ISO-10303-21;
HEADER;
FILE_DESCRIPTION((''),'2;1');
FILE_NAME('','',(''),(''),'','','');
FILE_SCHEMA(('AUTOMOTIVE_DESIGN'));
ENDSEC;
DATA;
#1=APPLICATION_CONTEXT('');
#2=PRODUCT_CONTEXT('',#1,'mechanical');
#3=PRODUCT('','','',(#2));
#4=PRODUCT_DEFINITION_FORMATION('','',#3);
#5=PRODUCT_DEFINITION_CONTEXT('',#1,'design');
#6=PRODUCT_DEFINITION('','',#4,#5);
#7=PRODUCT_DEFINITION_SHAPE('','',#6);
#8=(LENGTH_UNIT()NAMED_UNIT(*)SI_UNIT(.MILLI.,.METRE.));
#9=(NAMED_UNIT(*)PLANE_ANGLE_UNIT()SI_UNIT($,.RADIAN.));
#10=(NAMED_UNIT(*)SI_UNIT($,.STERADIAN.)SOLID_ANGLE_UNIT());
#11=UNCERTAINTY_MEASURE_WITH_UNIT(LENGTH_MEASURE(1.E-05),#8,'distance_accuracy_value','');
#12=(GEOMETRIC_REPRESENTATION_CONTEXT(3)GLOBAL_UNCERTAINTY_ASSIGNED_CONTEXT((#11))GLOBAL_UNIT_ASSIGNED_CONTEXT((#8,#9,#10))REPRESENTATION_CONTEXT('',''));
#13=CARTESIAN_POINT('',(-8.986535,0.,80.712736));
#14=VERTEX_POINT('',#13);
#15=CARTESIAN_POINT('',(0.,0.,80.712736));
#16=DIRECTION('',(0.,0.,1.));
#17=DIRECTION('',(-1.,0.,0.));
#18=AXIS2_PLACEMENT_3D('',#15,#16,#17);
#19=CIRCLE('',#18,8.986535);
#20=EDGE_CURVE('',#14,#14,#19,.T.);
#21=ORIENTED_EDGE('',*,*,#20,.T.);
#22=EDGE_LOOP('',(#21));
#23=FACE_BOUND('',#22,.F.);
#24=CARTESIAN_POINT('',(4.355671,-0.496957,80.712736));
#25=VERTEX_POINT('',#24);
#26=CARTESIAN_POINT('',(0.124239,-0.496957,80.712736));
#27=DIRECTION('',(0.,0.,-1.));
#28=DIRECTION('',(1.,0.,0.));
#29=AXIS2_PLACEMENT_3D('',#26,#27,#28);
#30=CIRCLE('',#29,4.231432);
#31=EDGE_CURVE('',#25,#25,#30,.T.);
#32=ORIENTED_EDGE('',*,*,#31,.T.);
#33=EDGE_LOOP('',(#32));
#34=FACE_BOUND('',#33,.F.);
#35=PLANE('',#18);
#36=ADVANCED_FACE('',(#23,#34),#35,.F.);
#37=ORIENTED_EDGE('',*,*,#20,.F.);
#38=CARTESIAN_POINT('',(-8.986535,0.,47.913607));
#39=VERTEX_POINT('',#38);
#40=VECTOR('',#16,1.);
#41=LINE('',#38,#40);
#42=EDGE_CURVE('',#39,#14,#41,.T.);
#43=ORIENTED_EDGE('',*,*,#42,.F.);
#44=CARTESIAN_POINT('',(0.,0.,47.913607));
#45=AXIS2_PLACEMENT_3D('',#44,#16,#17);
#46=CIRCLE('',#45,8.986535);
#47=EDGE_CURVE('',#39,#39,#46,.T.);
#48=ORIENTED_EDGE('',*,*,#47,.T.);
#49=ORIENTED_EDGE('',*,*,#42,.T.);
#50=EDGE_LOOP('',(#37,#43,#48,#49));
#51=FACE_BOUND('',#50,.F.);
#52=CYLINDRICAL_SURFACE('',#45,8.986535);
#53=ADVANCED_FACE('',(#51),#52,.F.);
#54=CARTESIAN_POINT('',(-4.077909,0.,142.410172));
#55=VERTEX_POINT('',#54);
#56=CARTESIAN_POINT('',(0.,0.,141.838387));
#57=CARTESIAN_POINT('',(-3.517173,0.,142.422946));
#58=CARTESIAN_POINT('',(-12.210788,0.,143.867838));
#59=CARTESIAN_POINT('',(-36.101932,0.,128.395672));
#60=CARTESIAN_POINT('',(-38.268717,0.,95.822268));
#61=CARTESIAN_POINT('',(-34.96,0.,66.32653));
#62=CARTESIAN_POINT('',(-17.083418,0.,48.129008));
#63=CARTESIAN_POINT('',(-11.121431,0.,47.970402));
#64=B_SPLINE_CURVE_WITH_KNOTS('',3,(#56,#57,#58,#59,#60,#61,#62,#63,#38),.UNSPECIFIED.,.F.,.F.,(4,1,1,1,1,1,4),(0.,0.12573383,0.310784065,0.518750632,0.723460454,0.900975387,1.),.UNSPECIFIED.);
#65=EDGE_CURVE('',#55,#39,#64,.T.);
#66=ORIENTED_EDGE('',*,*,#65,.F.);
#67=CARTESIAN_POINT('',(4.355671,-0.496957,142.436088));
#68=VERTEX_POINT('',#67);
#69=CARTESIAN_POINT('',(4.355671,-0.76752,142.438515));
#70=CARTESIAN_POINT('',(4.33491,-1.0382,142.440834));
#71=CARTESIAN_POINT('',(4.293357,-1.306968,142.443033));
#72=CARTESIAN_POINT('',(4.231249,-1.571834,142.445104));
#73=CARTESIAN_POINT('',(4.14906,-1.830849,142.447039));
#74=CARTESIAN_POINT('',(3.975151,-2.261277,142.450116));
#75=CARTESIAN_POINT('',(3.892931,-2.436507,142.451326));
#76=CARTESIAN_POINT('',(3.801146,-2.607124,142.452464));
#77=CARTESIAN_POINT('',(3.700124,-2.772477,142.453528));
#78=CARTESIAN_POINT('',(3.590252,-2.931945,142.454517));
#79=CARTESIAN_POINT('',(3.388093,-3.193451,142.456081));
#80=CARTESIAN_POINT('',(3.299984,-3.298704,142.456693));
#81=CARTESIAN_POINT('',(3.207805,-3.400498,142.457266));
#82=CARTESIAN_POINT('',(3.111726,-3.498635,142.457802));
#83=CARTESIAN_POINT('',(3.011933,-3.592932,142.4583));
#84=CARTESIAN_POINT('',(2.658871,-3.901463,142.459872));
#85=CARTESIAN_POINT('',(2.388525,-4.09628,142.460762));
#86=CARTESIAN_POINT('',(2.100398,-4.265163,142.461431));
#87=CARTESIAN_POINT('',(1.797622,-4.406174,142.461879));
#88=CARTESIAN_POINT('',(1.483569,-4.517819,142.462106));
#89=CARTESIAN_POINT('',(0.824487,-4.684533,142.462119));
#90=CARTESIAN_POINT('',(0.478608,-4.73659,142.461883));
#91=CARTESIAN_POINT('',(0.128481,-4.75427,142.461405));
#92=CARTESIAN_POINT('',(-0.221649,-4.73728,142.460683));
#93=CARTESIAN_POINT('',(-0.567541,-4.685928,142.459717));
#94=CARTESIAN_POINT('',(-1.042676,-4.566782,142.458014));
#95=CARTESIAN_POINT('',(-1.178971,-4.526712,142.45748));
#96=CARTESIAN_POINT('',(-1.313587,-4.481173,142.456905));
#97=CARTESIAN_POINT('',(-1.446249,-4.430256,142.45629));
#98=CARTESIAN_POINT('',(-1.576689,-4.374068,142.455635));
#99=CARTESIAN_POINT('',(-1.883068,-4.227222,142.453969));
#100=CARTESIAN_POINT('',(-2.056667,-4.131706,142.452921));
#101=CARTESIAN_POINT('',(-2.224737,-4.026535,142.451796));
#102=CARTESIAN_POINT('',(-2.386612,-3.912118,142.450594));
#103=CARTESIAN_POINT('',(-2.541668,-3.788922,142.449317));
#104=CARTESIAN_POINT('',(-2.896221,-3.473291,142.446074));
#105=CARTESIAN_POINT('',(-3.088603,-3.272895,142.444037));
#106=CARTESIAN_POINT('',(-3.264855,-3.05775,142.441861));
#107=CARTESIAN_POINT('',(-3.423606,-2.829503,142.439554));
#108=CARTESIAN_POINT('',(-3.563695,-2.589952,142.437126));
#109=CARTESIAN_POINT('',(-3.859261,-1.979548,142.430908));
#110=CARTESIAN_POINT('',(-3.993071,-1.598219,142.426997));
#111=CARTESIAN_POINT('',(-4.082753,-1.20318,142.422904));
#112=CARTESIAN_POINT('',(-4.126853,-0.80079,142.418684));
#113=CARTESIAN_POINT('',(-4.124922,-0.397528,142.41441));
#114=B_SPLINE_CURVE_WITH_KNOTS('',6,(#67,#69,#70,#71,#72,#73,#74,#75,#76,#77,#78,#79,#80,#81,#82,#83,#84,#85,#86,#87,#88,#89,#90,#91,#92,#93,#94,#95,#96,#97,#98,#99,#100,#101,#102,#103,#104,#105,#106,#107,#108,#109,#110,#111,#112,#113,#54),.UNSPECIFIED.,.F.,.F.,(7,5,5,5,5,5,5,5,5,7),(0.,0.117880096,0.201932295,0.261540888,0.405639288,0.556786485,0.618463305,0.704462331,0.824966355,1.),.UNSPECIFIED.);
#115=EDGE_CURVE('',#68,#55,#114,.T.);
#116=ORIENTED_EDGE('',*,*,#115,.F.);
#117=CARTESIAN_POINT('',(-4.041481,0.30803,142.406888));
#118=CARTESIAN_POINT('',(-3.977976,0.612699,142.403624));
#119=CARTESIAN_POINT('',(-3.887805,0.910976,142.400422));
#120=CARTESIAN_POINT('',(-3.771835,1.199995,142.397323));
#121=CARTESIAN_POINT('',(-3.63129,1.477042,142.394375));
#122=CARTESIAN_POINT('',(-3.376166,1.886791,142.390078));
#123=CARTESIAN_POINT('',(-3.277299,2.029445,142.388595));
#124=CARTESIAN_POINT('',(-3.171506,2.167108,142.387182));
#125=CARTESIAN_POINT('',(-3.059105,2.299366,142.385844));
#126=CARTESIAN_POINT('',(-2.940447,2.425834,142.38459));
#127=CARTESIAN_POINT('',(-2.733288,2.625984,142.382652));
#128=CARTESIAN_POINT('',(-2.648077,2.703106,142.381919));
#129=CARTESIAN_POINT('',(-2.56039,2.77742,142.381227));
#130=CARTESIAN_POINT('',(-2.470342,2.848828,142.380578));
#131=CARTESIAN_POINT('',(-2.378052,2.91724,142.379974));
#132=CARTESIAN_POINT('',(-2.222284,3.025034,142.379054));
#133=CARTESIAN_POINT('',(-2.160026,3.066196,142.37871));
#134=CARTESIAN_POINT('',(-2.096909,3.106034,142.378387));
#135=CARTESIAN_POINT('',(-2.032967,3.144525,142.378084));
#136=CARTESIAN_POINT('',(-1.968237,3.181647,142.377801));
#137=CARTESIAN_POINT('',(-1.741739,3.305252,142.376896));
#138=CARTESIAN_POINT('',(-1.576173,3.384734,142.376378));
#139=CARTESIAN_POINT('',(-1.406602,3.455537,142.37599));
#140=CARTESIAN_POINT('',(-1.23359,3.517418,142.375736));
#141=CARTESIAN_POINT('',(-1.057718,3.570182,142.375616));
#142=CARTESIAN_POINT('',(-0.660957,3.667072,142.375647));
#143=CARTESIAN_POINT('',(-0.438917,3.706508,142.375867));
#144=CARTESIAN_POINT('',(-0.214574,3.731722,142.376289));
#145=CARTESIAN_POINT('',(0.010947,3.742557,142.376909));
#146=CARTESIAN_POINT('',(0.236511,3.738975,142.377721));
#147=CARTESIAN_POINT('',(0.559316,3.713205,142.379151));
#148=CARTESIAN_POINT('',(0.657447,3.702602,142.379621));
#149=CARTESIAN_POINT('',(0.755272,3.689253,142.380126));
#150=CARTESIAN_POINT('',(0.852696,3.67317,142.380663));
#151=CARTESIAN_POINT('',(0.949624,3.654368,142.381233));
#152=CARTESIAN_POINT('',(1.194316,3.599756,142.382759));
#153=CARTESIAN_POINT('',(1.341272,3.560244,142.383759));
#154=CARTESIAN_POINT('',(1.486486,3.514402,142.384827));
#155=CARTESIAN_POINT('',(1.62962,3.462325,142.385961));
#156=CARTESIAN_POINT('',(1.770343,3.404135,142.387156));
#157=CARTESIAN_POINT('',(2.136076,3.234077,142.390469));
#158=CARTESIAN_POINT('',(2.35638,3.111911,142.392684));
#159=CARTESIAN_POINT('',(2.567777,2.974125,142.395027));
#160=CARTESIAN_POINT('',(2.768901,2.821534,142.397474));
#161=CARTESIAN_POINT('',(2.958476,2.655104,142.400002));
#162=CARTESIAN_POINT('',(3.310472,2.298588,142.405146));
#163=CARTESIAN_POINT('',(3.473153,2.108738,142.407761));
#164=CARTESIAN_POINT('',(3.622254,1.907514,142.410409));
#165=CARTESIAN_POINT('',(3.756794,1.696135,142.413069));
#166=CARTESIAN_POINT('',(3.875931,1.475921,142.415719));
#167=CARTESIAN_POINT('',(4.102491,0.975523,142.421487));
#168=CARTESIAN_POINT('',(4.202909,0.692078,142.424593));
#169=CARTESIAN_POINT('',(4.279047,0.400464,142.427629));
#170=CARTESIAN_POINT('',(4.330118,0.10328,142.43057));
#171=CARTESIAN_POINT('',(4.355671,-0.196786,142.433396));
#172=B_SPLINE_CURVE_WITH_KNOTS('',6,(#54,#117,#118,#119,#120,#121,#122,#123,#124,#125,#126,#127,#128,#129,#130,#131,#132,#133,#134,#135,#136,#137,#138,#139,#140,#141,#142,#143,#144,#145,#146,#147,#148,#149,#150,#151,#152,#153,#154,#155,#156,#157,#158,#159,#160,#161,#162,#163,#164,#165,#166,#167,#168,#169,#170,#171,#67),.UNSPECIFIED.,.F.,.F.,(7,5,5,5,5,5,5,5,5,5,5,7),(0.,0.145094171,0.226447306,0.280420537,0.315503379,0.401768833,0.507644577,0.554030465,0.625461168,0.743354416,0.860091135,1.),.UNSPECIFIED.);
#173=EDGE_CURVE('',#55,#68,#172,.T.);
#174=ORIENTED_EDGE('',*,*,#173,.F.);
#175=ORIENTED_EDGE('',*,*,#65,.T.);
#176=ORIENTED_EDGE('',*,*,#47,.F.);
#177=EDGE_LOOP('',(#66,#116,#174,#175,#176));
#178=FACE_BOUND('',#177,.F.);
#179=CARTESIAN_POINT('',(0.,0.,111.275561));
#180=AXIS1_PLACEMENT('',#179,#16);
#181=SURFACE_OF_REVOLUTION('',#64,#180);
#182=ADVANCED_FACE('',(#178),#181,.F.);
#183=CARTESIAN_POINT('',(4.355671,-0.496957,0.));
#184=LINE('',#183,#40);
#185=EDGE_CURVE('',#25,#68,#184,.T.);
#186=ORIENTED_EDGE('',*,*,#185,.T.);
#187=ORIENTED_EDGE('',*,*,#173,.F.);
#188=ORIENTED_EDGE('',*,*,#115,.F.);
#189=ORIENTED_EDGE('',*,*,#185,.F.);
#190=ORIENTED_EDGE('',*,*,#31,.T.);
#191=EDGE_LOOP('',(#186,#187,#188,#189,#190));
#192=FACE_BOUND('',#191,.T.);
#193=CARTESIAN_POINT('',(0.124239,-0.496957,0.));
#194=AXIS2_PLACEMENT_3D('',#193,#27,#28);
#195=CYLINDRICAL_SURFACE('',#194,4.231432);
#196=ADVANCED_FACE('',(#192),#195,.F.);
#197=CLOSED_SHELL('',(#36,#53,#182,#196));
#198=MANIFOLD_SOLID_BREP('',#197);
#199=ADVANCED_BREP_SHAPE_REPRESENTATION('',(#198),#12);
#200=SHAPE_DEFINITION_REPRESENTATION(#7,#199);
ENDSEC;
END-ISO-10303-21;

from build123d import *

# Parameters (mm, degrees)
F2_R     = 4.2314318494
F3_DEPTH = 184.48219


with BuildPart() as f1:
    # F0 (on Front) → F1 (revolve)
    with BuildSketch(Plane.XZ):
        with BuildLine():
            Line((-8.9865345508, 80.7127356529), (0, 80.7127356529))
            Line((0, 80.7127356529), (0, 141.8383866549))
            add(Edge.make_bspline(
                [(0, 141.8383866549), (-3.5171734653, 142.4229460638), (-12.2107881611, 143.8678376275), (-36.1019324358, 128.3956717108), (-38.2687171565, 95.8222683416), (-34.9600004925, 66.3265303031), (-17.0834180992, 48.1290084603), (-11.1214314604, 47.9704018348), (-8.9865345508, 47.9136072099)],
                knots=[0, 0, 0, 0, 0.1257338295, 0.3107840653, 0.5187506316, 0.7234604542, 0.9009753867, 1, 1, 1, 1], degree=3))
            Line((-8.9865345508, 47.9136072099), (-8.9865345508, 80.7127356529))
        make_face()
    revolve(axis=Axis((0, 0, 111.2755611539), (0, 0, 1)))

    # F2 (on Top) → F3 (cut)
    with BuildSketch(Plane.XY):
        with Locations((0.1242388826, -0.4969565198)):
            Circle(F2_R)
    extrude(amount=F3_DEPTH, mode=Mode.SUBTRACT)


solid = f1.part
